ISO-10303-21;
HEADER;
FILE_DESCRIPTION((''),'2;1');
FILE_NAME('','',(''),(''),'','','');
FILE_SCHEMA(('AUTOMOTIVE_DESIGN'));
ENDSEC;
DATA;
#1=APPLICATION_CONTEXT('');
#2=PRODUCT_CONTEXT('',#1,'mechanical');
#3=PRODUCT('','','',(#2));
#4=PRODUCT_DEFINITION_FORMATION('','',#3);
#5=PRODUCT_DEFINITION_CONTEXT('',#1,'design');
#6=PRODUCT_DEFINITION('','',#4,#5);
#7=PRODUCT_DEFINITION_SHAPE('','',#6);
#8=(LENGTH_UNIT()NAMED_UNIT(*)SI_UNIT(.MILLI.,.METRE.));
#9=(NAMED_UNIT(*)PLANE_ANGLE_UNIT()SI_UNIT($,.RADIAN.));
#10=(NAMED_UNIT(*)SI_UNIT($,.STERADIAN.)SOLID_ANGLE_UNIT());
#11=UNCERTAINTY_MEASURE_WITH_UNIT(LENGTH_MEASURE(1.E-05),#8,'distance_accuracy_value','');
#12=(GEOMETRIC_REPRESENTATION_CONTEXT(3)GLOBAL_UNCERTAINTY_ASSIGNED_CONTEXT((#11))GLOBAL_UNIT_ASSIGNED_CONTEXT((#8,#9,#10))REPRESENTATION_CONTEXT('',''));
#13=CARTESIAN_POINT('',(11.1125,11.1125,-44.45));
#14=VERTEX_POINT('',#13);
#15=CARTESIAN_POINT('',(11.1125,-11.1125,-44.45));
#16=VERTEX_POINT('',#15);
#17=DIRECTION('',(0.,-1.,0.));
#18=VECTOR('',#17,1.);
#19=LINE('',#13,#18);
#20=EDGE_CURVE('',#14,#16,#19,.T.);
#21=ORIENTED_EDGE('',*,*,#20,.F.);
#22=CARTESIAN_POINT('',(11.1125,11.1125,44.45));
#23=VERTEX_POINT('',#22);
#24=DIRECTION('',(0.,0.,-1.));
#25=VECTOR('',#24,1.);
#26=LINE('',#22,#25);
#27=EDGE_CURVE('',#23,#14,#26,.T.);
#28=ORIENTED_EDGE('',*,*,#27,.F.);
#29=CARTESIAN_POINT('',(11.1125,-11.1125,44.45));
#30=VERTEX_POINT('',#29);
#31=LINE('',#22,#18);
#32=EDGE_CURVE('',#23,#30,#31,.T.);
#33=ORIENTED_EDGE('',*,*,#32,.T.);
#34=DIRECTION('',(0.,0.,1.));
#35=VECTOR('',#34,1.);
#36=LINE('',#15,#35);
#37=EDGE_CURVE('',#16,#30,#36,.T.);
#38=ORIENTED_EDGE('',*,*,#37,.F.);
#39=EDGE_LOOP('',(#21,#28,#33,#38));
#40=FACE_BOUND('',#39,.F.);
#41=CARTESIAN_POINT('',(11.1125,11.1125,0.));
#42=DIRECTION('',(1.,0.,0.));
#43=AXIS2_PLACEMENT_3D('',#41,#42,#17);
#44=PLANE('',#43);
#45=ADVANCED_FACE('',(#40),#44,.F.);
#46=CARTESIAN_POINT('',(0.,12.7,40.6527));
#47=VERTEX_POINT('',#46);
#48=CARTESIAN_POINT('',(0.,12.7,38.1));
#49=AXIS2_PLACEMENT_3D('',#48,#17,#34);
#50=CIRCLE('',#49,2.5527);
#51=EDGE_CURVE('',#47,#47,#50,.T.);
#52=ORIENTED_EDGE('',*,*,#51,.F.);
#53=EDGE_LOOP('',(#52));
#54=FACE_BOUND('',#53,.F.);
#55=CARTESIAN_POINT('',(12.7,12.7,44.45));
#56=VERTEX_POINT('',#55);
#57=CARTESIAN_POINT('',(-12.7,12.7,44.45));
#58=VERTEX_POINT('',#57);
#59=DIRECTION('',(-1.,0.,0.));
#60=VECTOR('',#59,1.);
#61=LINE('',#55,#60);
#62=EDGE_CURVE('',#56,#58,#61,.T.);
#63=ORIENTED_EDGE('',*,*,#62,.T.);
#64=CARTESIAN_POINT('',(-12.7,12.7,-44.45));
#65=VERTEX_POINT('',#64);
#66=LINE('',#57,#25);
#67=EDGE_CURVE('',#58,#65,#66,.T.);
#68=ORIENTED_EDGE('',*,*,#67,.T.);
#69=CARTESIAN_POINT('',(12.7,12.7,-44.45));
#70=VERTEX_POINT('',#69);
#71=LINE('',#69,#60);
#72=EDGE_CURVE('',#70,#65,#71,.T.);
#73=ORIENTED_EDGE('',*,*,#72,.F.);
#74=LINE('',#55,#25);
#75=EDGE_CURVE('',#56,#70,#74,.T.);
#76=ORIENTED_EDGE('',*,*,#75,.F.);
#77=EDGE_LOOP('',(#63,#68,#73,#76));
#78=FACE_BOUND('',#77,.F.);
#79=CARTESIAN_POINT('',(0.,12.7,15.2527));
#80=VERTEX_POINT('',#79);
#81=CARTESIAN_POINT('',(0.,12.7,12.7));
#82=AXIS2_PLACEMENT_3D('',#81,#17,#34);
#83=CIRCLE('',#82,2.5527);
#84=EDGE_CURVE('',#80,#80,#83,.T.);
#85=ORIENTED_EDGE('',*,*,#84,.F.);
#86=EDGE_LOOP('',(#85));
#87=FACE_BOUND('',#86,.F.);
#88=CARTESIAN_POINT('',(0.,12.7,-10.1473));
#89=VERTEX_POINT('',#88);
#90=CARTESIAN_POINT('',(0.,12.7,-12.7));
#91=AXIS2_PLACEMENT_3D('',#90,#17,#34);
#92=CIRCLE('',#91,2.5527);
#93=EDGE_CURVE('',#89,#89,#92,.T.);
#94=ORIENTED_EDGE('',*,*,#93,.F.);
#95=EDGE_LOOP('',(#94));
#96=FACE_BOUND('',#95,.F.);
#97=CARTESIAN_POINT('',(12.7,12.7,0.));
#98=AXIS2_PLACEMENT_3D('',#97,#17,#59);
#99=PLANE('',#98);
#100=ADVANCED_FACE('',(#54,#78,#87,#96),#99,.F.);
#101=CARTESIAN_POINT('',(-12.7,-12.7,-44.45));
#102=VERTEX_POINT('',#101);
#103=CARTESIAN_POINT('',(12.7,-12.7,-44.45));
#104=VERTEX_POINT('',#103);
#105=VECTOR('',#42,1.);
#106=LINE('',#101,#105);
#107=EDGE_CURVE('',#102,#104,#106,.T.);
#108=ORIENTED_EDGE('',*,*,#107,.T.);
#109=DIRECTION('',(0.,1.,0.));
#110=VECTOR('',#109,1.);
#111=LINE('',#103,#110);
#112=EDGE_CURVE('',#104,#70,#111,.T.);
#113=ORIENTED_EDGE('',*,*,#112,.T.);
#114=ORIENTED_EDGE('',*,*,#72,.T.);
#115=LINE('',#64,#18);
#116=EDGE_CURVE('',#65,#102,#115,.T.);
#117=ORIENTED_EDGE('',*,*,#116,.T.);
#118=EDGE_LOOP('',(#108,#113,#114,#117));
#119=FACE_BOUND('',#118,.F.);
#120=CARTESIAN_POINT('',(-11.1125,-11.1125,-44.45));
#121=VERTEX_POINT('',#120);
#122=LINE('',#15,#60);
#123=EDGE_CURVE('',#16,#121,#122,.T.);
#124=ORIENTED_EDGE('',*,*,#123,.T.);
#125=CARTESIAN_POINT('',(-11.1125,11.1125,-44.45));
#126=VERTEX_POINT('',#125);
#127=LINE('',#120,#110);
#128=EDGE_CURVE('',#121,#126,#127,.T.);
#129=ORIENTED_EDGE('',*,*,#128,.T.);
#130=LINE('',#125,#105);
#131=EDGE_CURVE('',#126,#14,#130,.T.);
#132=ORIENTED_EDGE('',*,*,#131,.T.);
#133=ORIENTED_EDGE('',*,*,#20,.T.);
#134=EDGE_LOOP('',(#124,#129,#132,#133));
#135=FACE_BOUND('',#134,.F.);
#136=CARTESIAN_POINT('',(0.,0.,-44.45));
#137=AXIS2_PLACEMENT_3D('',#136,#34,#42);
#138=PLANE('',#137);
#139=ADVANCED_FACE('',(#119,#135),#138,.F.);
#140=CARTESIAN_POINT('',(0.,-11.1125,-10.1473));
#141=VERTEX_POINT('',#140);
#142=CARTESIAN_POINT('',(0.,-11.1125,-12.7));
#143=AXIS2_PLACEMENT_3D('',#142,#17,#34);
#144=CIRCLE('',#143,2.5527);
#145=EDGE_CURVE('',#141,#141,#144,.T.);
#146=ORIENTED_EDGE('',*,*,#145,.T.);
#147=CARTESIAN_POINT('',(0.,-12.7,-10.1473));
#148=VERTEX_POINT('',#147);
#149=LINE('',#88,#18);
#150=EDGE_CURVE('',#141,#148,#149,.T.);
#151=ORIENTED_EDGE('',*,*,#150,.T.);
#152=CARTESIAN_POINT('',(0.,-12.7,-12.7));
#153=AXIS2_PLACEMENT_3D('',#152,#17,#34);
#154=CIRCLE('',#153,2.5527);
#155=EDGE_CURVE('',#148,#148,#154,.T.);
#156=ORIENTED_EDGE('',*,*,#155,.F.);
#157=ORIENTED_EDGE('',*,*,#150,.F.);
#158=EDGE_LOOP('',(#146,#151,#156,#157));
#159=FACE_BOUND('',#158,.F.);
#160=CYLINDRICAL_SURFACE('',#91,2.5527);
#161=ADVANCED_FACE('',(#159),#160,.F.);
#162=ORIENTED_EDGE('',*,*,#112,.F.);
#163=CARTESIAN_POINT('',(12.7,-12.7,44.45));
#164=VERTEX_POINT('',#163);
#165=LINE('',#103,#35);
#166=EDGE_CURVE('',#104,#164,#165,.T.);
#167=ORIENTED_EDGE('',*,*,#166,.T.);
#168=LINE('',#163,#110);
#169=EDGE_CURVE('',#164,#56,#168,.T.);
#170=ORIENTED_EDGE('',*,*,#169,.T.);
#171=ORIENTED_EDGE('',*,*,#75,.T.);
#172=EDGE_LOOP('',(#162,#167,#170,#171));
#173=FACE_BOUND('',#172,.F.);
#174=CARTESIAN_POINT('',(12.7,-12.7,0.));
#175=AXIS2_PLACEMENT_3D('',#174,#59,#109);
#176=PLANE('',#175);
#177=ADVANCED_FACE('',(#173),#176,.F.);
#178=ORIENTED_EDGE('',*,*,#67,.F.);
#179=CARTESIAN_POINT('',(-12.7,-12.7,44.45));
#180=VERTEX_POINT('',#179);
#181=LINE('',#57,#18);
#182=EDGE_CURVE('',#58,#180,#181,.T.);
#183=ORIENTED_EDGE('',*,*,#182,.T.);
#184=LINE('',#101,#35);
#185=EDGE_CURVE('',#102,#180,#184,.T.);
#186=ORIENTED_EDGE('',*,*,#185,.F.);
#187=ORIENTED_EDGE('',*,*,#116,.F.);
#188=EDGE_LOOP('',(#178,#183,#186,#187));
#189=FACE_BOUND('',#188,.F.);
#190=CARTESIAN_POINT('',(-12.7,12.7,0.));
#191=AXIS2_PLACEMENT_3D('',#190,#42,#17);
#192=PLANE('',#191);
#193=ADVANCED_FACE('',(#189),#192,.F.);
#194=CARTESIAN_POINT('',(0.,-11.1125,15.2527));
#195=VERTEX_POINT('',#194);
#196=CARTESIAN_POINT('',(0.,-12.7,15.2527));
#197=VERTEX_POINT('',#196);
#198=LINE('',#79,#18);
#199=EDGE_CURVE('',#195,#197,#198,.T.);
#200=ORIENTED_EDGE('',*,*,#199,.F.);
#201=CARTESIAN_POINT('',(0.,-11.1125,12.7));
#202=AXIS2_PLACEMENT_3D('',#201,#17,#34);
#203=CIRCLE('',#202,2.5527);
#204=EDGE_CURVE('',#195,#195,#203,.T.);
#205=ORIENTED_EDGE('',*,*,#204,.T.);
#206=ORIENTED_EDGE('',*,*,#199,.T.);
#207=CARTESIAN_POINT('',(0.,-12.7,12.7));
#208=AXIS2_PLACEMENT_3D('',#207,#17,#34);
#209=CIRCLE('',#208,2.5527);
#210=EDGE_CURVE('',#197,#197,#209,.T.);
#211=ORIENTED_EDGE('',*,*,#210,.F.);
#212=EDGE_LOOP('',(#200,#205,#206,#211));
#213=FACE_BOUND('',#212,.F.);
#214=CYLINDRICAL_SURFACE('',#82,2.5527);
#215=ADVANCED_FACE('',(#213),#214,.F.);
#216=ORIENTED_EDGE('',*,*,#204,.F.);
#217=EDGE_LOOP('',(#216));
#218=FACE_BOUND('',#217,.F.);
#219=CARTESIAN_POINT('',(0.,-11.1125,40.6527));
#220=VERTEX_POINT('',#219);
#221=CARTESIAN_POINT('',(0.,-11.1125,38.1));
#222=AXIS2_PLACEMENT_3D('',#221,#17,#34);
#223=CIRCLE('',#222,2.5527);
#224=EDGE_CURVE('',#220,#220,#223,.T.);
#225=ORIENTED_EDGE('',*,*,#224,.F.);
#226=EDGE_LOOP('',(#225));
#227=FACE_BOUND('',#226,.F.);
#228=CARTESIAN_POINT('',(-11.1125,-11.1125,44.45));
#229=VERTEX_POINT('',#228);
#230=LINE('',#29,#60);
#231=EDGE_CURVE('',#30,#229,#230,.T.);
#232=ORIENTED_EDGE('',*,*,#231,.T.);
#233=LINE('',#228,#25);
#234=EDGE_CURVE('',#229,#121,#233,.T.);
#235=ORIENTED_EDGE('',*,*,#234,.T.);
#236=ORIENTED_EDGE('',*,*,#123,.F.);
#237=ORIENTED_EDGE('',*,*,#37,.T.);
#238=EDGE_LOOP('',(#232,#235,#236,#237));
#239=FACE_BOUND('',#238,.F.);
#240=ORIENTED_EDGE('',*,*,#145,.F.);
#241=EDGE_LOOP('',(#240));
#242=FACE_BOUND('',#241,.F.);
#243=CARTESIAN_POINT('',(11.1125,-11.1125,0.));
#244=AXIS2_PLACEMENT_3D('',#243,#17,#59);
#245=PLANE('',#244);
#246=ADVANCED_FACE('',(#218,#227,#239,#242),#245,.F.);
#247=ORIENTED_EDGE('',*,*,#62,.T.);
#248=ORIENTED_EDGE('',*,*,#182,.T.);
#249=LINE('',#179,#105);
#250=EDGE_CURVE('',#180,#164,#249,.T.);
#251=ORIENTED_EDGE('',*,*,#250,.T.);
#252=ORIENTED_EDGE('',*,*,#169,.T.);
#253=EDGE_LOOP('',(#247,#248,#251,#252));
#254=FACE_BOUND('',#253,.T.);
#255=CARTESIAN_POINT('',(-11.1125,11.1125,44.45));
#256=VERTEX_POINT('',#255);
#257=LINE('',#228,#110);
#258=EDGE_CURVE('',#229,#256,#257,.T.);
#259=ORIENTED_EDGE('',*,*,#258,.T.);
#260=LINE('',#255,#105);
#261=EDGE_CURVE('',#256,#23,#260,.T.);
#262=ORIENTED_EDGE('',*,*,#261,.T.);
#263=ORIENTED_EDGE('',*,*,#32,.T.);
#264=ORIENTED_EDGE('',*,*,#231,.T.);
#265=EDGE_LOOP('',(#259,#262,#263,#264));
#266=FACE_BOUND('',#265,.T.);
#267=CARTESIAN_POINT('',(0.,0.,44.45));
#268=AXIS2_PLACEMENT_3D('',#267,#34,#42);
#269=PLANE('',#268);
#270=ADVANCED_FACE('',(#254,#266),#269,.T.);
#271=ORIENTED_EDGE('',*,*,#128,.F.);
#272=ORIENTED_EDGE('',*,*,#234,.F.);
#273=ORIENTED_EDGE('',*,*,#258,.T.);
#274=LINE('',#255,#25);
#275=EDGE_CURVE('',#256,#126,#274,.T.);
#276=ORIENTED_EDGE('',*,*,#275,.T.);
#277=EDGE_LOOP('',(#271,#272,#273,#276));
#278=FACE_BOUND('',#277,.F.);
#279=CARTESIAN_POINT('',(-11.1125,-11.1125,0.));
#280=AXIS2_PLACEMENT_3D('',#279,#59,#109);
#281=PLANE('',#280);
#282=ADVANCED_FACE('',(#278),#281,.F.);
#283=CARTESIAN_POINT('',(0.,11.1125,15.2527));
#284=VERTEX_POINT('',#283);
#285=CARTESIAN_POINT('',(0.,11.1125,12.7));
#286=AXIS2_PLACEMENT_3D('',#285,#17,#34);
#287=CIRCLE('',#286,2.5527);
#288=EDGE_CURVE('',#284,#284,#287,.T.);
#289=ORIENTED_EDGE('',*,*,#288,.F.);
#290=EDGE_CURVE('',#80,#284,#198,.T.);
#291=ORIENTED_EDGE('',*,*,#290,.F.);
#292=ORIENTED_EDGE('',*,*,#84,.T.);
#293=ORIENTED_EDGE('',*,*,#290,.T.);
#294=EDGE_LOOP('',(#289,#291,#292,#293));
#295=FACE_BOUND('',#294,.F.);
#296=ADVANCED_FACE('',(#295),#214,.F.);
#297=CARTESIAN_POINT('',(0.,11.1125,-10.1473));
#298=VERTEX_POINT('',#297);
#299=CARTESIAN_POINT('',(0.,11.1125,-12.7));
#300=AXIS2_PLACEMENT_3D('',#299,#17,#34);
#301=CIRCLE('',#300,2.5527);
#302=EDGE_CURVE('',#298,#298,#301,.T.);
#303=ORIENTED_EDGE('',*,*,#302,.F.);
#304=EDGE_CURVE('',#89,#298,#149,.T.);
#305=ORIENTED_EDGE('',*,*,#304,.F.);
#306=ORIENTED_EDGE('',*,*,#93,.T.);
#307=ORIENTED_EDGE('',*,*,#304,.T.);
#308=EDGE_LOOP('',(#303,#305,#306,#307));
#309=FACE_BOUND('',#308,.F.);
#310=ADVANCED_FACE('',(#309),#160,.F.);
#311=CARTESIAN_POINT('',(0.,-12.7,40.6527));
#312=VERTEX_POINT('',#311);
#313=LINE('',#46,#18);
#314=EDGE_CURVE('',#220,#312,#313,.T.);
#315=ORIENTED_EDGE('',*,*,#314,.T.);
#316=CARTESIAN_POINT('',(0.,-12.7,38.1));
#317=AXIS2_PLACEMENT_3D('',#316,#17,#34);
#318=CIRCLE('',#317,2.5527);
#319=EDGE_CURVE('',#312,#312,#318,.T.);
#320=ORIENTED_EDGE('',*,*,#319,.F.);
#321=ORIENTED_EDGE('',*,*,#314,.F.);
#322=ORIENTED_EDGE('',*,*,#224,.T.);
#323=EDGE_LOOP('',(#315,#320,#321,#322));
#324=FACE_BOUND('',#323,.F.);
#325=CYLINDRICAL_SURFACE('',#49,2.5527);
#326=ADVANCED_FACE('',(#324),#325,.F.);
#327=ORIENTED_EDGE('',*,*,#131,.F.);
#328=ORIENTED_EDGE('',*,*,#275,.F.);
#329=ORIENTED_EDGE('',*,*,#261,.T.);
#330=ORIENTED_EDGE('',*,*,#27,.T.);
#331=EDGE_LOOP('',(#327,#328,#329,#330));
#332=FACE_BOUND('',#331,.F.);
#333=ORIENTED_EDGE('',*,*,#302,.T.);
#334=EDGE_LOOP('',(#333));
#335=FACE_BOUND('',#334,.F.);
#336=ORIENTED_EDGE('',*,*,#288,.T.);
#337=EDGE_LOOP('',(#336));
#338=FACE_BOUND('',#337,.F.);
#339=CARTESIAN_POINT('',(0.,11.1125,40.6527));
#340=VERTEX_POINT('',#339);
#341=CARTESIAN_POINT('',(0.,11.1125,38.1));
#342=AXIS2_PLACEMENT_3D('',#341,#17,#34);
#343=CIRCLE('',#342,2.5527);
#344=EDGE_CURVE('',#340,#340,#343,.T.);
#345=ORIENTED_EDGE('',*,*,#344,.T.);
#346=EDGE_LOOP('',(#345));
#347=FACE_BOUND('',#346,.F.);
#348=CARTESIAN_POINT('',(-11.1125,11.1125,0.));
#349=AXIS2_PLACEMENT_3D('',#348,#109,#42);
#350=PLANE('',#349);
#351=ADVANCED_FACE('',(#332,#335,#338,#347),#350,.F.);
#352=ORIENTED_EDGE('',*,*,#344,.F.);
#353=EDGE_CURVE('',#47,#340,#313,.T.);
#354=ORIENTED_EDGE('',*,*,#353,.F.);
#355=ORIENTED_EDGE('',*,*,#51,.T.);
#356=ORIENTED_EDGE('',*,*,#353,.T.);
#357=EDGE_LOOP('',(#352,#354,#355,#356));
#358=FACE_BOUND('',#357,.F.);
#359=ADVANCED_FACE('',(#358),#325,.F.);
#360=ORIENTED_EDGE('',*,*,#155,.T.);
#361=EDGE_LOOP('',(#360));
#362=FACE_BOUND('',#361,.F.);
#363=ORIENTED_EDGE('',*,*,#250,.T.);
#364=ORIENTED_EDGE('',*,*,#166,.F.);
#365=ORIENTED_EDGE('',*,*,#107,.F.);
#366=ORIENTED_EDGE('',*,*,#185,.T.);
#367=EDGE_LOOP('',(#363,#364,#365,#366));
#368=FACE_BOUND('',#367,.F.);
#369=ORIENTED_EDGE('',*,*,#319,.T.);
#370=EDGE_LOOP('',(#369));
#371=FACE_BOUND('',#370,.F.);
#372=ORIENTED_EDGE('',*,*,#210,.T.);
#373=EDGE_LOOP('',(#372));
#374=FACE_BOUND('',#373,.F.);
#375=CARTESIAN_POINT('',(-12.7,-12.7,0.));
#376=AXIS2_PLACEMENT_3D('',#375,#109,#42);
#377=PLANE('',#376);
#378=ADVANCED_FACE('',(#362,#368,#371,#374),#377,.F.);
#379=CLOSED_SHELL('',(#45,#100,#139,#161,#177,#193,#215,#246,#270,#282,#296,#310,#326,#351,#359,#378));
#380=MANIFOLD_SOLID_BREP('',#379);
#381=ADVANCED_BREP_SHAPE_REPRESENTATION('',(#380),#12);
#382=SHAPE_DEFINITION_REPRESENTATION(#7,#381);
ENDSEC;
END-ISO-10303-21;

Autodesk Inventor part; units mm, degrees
ref_plane "YZ Plane" through (0, 0, 0) normal (1, 0, 0) x (0, 1, 0)
ref_plane "XZ Plane" through (0, 0, 0) normal (0, 1, 0) x (-1, 0, 0)
ref_plane "XY Plane" through (0, 0, 0) normal (0, 0, 1) x (1, 0, 0)
sketch "Sketch1" plane through (0, 0, 0) normal (0, 0, 1) x (1, 0, 0)
  line L0 (-12.7, -12.7) -> (12.7, -12.7)
  line L1 (12.7, -12.7) -> (12.7, 12.7)
  line L2 (12.7, 12.7) -> (-12.7, 12.7)
  line L3 (-12.7, 12.7) -> (-12.7, -12.7)
  line L4 (-12.7, -12.7) -> (12.7, 12.7) construction
  line L5 (12.7, -12.7) -> (-12.7, 12.7) construction
  line L6 (11.1125, -11.1125) -> (-11.1125, -11.1125)
  line L7 (-11.1125, -11.1125) -> (-11.1125, 11.1125)
  line L8 (-11.1125, 11.1125) -> (11.1125, 11.1125)
  line L9 (11.1125, 11.1125) -> (11.1125, -11.1125)
  line L10 (11.1125, -11.1125) -> (-11.1125, 11.1125) construction
  line L11 (-11.1125, -11.1125) -> (11.1125, 11.1125) construction
  point P0 (0, 0)
  dimension "d0" = 25.4
  dimension "d1" = 25.4
  dimension "d3" = 22.225
  dimension "d4" = 22.225
extrude "Extrusion1" add sketch "Sketch1" along normal mid plane 88.9
sketch "Sketch2" plane through (-12.7, 12.7, 44.45) normal (0, 1, 0) x (1, 0, 0)
  line L0 (25.4, 0) -> (0, 0) projected
  point P0 (12.7, 44.45)
  point P1 (12.7, 6.35)
  point P2 (12.7, 31.75)
  point P3 (12.7, 57.15)
  point P4 (12.7, 0)
  point P5 (12.7, 0)
  dimension "d7" = 6.35
  dimension "d8" = 25.4
  dimension "d9" = 25.4
hole "Hole1" at (0, 12.7, 38.1) at (0, 12.7, 12.7) at (0, 12.7, -12.7) direction (0, -1, 0) diameter 5.1054 end through all clearance for "Flat Head Machine Screw (82)" size "#10" standard "Ansi Unified Screw Threads"
properties part number "DB1-006" material "Aluminum 6061"
